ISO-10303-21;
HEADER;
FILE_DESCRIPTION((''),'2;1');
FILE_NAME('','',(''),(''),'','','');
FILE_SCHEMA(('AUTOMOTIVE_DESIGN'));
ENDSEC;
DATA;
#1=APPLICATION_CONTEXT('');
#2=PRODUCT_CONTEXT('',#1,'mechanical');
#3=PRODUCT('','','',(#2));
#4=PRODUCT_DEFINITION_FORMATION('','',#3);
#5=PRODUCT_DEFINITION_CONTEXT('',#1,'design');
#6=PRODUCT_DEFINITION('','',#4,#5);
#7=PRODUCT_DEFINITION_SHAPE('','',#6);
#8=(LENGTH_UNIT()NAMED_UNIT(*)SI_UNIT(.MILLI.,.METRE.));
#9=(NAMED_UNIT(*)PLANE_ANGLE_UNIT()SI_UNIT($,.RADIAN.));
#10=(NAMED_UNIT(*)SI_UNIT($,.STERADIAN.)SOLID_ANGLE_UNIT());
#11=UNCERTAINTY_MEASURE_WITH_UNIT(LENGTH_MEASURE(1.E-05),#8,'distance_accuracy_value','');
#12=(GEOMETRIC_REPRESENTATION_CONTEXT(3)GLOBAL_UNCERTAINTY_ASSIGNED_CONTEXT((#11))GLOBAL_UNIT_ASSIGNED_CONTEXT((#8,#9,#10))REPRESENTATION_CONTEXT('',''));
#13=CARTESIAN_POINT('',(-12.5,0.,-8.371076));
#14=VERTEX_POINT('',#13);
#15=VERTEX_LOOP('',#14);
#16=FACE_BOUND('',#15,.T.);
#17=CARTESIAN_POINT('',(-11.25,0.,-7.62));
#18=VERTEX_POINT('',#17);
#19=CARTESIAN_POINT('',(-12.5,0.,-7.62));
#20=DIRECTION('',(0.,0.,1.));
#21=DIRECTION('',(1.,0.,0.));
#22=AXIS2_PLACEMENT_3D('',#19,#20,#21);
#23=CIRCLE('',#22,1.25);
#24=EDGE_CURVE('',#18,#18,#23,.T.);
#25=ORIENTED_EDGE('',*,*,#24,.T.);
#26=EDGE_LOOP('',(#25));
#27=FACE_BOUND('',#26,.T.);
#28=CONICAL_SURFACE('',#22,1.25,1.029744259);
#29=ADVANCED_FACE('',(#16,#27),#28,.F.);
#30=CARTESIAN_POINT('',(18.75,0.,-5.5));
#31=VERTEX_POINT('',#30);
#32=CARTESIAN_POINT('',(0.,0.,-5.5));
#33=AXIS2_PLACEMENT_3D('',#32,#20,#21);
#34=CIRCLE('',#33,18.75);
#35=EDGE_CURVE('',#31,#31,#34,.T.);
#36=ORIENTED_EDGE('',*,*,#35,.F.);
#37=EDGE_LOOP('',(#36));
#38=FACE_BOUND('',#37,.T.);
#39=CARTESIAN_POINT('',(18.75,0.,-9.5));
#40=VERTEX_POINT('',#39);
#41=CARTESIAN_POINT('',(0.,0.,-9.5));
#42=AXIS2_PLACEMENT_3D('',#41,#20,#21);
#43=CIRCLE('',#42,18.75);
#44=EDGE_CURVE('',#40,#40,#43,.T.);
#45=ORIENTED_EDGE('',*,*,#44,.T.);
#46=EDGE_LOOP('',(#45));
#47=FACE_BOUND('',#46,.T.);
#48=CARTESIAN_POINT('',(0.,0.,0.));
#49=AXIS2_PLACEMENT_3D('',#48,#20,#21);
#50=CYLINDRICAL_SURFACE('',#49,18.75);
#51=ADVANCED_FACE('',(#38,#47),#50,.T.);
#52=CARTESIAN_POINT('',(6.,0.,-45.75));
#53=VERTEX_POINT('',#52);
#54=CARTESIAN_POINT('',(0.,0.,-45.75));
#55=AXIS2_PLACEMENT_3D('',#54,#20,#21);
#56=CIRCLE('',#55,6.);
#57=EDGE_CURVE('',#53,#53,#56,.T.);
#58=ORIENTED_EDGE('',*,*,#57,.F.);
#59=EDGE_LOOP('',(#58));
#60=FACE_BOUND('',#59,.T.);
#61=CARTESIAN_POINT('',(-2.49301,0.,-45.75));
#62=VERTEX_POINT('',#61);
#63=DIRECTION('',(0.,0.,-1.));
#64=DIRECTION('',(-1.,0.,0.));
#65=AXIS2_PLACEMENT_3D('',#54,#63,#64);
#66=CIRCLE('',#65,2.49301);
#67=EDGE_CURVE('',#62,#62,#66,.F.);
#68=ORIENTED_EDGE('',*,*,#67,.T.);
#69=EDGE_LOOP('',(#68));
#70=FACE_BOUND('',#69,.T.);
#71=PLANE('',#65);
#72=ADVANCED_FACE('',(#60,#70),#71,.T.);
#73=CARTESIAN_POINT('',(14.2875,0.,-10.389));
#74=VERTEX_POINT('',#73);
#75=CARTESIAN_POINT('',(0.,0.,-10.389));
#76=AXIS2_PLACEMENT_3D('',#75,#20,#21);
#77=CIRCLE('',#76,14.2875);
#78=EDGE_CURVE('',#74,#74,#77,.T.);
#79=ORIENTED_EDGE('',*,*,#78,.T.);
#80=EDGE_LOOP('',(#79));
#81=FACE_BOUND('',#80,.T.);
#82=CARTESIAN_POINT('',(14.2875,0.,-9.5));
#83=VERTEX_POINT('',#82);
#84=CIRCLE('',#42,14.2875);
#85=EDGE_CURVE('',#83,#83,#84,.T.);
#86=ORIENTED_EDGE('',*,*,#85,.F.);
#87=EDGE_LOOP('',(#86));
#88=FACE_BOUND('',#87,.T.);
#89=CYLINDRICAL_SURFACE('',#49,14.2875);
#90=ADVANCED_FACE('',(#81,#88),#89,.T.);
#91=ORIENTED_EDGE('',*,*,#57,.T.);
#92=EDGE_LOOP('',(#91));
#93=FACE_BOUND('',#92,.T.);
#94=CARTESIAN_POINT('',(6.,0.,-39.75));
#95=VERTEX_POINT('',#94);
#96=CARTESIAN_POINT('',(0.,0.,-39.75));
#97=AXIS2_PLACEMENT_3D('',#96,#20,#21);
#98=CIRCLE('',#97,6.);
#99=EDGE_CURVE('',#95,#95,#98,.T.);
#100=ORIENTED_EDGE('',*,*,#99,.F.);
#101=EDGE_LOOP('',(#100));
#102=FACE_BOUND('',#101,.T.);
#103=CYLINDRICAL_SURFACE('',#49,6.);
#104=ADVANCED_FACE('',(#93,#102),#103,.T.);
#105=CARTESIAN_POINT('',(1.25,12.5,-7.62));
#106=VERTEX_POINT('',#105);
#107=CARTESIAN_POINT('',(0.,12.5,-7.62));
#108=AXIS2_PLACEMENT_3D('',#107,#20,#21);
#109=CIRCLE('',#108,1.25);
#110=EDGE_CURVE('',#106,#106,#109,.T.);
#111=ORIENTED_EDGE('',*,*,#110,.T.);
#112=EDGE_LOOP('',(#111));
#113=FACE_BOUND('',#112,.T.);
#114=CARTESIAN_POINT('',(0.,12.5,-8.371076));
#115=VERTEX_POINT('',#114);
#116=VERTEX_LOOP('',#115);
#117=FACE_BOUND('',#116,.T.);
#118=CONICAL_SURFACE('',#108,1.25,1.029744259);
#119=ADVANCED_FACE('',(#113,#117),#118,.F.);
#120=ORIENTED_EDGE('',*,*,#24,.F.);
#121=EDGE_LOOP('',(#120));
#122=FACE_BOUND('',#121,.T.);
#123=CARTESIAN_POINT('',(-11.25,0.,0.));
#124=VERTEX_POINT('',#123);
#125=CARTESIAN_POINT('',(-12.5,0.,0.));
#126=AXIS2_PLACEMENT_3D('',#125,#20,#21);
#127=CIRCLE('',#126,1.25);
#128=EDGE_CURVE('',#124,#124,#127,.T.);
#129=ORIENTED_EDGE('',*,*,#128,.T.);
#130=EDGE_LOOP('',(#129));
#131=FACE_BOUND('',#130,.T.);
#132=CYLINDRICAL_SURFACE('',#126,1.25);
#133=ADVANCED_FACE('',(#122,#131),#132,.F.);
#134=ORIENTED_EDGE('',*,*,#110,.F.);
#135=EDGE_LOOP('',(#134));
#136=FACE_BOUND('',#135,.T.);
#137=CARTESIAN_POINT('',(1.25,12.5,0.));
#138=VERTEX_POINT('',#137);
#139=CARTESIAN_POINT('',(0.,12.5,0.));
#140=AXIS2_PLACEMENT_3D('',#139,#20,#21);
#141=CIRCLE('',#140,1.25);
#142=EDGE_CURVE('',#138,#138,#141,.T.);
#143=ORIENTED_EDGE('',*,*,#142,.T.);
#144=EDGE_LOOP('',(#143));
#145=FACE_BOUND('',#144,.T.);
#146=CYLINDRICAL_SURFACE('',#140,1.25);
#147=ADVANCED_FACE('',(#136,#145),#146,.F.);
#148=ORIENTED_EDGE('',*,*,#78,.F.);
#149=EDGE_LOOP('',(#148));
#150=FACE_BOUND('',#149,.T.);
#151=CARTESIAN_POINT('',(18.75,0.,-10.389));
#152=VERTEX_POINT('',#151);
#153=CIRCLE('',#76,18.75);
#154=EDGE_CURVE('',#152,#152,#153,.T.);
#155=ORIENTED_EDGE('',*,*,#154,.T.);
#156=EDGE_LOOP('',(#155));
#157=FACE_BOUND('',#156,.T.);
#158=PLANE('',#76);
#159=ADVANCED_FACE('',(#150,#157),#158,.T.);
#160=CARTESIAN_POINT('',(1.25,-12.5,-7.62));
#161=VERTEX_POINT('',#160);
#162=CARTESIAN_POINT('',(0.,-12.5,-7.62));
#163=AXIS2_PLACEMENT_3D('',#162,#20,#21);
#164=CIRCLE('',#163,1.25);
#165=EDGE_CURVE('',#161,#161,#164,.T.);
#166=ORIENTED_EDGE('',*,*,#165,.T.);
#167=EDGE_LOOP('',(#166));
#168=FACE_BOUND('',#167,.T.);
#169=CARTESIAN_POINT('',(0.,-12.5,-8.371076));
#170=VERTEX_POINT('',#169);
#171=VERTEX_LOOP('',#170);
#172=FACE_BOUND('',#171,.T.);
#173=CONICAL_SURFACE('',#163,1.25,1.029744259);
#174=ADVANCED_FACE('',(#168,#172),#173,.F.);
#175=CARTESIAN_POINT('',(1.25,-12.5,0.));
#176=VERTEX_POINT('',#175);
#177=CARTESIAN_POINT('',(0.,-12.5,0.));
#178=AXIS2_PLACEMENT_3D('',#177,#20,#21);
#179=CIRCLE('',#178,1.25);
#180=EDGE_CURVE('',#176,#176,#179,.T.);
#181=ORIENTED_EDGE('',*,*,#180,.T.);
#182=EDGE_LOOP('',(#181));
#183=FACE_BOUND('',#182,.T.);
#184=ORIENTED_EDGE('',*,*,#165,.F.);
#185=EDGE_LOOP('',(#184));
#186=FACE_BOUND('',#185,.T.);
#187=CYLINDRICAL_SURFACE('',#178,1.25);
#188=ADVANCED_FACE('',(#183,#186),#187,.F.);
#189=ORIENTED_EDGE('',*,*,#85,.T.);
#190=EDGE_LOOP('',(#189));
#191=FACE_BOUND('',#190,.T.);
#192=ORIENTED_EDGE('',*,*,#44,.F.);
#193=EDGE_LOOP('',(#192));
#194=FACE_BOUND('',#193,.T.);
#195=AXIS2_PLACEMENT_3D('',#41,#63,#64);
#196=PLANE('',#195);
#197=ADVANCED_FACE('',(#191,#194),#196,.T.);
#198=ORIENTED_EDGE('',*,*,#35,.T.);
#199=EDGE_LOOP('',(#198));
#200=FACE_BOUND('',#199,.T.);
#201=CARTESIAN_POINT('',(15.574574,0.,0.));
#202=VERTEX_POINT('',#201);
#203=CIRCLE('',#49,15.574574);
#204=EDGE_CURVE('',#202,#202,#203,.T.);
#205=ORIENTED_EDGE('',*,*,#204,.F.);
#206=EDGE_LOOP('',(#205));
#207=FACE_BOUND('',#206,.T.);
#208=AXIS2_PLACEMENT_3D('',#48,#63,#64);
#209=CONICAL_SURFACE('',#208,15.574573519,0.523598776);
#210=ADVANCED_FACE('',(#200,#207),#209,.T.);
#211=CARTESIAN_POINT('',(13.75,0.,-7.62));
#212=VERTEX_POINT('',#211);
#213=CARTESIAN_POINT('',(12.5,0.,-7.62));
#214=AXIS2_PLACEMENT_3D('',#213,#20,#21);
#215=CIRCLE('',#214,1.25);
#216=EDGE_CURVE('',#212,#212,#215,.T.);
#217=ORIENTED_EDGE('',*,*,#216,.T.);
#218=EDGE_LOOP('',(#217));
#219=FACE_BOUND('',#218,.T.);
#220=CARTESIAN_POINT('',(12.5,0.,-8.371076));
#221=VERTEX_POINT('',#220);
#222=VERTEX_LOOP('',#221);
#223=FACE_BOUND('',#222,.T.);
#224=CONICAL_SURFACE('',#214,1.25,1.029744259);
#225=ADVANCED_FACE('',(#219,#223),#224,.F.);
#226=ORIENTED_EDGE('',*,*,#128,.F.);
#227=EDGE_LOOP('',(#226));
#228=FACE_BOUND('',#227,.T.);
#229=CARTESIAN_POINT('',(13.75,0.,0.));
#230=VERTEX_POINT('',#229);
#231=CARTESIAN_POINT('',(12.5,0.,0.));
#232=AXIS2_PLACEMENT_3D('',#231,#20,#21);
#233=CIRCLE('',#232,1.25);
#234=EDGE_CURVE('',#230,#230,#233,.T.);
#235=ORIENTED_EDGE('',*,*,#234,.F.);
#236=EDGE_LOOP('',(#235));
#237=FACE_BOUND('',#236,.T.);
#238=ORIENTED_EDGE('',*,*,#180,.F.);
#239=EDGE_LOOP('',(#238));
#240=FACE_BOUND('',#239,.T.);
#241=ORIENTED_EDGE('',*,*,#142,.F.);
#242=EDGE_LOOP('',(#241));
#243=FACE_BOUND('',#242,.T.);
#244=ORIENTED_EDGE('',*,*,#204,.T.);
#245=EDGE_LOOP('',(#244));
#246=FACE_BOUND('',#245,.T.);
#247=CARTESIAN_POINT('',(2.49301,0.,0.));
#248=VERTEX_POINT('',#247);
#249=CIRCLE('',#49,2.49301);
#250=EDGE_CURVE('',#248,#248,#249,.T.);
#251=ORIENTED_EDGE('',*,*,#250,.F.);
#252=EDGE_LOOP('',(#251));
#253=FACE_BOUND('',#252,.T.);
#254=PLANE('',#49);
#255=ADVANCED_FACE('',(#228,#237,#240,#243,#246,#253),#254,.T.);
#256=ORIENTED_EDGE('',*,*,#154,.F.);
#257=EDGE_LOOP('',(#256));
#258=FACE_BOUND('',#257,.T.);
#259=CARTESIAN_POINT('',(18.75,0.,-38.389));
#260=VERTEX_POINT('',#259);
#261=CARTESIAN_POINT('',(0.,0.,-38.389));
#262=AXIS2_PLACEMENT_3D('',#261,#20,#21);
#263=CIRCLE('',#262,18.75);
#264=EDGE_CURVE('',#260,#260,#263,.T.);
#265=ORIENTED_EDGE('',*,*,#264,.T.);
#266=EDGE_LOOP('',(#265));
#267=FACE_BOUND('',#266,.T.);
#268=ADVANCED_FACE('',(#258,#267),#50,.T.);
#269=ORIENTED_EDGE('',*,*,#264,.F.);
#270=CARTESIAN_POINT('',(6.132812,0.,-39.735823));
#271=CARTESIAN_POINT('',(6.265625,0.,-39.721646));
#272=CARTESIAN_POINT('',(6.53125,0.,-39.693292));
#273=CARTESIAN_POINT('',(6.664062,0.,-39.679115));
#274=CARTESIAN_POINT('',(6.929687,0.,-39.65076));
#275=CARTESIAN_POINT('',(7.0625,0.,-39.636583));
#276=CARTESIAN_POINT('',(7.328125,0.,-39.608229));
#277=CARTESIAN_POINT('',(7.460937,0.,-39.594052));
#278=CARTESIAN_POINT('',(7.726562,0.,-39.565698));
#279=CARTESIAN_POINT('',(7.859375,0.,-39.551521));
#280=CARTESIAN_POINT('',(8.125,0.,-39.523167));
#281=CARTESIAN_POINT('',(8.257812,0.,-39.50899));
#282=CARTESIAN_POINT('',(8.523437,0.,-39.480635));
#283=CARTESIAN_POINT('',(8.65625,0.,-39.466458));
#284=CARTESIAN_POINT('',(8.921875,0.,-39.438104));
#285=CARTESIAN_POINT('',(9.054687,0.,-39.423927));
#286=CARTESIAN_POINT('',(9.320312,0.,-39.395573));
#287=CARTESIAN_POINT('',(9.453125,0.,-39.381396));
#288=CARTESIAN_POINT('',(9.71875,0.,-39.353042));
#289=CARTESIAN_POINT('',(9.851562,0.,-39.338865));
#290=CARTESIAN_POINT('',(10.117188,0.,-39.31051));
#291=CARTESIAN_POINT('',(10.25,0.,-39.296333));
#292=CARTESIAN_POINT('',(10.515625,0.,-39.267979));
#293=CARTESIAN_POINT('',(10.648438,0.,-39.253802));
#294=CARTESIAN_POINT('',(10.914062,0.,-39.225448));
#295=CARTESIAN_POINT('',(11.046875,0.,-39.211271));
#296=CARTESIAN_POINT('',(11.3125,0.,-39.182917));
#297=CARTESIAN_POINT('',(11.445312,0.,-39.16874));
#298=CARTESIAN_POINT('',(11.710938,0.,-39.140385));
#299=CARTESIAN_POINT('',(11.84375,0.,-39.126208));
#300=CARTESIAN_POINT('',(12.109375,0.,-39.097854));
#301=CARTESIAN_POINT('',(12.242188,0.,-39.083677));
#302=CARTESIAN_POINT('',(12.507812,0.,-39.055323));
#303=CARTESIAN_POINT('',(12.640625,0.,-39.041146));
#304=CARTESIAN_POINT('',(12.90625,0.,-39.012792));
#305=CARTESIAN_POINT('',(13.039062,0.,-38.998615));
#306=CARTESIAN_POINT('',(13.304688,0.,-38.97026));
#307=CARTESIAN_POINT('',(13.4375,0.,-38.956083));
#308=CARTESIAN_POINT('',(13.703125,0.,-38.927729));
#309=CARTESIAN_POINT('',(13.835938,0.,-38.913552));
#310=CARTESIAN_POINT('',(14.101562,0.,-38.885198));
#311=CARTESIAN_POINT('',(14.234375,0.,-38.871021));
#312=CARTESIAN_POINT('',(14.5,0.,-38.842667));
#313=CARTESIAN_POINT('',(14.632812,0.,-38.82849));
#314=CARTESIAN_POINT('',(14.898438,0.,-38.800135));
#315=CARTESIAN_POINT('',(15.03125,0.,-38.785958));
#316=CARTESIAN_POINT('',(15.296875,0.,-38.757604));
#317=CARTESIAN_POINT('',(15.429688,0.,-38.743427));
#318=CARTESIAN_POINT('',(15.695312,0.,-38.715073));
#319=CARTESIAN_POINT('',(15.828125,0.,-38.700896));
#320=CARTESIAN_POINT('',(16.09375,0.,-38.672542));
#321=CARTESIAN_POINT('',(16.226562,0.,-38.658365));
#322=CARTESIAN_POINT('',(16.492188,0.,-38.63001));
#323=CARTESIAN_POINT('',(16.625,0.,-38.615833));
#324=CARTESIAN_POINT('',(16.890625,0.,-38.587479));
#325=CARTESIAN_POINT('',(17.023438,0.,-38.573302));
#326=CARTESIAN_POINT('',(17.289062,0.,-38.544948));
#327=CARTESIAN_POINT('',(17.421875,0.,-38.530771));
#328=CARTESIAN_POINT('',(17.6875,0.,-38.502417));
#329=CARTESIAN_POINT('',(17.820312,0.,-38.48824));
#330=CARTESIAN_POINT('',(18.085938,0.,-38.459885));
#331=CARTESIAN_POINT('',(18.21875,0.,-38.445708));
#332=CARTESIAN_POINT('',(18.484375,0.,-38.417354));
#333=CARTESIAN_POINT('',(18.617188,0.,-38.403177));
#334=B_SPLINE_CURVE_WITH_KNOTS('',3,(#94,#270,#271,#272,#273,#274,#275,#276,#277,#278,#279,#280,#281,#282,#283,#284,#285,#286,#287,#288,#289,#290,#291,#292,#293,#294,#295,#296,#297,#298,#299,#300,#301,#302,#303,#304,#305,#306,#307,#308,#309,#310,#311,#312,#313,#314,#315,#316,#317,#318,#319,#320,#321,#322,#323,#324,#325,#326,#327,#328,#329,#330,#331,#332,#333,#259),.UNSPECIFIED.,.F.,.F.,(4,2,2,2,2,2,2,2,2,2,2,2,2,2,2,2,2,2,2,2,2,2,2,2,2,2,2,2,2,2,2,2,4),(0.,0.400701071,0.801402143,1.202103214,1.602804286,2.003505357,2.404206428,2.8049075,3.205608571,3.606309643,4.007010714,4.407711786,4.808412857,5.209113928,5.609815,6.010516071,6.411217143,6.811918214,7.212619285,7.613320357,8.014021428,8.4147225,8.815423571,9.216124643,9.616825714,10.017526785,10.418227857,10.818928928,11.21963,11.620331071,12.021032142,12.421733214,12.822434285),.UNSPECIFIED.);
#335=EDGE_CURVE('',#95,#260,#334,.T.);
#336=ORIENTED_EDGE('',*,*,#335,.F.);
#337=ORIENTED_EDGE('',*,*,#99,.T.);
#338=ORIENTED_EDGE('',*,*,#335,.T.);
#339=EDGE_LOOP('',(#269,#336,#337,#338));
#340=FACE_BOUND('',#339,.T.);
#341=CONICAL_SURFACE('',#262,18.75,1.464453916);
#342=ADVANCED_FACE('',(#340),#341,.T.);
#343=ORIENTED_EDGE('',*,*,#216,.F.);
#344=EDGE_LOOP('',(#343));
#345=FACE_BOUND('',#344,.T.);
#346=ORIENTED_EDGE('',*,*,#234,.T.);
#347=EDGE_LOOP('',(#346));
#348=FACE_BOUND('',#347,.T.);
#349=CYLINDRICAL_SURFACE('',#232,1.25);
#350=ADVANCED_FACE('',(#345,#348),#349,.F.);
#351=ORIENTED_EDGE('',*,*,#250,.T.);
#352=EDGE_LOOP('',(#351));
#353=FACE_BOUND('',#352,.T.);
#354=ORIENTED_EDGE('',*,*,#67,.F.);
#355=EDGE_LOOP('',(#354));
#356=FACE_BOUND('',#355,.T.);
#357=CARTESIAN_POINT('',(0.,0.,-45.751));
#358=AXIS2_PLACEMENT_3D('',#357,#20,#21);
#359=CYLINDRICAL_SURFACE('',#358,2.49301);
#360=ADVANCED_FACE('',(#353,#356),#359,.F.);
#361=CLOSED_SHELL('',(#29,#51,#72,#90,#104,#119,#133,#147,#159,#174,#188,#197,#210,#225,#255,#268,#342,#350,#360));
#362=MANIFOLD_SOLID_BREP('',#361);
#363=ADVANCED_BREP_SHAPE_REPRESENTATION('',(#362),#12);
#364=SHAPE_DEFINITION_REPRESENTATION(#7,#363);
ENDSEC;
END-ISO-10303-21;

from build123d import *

# Parameters (mm, degrees)
M3X0_5_TAPPED_HOLE1_D     = 2.5
M3X0_5_TAPPED_HOLE1_DEPTH = 7.62
M3X0_5_TAPPED_HOLE1_TIP   = 0.751075774
CUT_EXTRUDE1_REACH        = 54.879
SKETCH5_R                 = 2.49301


with BuildPart() as part:
    # Sketch1 → Revolve1 (revolve)
    with BuildSketch(Plane(origin=(0, 0, 0), x_dir=(0, 0, -1), z_dir=(1, 0, 0)), mode=Mode.PRIVATE) as revolve1_sk:
        Polygon((0, 15.574573519), (0, 0), (45.75, 0), (45.75, 2.49), (45.75, 6), (39.75, 6), (38.389, 18.75), (10.389, 18.75), (10.389, 14.2875), (9.5, 14.2875), (9.5, 18.75), (5.5, 18.75), align=None)
    revolve(revolve1_sk.sketch.rotate(Axis((0, 0, 0), (0, 0, -1)), 90), axis=Axis((0, 0, 0), (0, 0, -1)))

    # M3x0.5 Tapped Hole1
    with Locations(Plane.XY):
        with Locations((0, 12.5), (12.5, 0), (-12.5, 0), (0, -12.5)):
            Hole(M3X0_5_TAPPED_HOLE1_D / 2, depth=M3X0_5_TAPPED_HOLE1_DEPTH)
            with Locations((0, 0, -(M3X0_5_TAPPED_HOLE1_DEPTH + M3X0_5_TAPPED_HOLE1_TIP / 2))):  # 118° drill point
                Cone(0, M3X0_5_TAPPED_HOLE1_D / 2, M3X0_5_TAPPED_HOLE1_TIP, mode=Mode.SUBTRACT)

    # Sketch5 → Cut-Extrude1 (cut, up to next)
    with BuildSketch(Plane.XY, mode=Mode.PRIVATE) as cut_extrude1_sk1:
        Circle(SKETCH5_R)
    cut_extrude1_tool1 = extrude(cut_extrude1_sk1.sketch, amount=-CUT_EXTRUDE1_REACH, mode=Mode.PRIVATE) & part.part
    add(cut_extrude1_tool1.solids().sort_by_distance((0, 0, 0))[0], mode=Mode.SUBTRACT)


solid = part.part
